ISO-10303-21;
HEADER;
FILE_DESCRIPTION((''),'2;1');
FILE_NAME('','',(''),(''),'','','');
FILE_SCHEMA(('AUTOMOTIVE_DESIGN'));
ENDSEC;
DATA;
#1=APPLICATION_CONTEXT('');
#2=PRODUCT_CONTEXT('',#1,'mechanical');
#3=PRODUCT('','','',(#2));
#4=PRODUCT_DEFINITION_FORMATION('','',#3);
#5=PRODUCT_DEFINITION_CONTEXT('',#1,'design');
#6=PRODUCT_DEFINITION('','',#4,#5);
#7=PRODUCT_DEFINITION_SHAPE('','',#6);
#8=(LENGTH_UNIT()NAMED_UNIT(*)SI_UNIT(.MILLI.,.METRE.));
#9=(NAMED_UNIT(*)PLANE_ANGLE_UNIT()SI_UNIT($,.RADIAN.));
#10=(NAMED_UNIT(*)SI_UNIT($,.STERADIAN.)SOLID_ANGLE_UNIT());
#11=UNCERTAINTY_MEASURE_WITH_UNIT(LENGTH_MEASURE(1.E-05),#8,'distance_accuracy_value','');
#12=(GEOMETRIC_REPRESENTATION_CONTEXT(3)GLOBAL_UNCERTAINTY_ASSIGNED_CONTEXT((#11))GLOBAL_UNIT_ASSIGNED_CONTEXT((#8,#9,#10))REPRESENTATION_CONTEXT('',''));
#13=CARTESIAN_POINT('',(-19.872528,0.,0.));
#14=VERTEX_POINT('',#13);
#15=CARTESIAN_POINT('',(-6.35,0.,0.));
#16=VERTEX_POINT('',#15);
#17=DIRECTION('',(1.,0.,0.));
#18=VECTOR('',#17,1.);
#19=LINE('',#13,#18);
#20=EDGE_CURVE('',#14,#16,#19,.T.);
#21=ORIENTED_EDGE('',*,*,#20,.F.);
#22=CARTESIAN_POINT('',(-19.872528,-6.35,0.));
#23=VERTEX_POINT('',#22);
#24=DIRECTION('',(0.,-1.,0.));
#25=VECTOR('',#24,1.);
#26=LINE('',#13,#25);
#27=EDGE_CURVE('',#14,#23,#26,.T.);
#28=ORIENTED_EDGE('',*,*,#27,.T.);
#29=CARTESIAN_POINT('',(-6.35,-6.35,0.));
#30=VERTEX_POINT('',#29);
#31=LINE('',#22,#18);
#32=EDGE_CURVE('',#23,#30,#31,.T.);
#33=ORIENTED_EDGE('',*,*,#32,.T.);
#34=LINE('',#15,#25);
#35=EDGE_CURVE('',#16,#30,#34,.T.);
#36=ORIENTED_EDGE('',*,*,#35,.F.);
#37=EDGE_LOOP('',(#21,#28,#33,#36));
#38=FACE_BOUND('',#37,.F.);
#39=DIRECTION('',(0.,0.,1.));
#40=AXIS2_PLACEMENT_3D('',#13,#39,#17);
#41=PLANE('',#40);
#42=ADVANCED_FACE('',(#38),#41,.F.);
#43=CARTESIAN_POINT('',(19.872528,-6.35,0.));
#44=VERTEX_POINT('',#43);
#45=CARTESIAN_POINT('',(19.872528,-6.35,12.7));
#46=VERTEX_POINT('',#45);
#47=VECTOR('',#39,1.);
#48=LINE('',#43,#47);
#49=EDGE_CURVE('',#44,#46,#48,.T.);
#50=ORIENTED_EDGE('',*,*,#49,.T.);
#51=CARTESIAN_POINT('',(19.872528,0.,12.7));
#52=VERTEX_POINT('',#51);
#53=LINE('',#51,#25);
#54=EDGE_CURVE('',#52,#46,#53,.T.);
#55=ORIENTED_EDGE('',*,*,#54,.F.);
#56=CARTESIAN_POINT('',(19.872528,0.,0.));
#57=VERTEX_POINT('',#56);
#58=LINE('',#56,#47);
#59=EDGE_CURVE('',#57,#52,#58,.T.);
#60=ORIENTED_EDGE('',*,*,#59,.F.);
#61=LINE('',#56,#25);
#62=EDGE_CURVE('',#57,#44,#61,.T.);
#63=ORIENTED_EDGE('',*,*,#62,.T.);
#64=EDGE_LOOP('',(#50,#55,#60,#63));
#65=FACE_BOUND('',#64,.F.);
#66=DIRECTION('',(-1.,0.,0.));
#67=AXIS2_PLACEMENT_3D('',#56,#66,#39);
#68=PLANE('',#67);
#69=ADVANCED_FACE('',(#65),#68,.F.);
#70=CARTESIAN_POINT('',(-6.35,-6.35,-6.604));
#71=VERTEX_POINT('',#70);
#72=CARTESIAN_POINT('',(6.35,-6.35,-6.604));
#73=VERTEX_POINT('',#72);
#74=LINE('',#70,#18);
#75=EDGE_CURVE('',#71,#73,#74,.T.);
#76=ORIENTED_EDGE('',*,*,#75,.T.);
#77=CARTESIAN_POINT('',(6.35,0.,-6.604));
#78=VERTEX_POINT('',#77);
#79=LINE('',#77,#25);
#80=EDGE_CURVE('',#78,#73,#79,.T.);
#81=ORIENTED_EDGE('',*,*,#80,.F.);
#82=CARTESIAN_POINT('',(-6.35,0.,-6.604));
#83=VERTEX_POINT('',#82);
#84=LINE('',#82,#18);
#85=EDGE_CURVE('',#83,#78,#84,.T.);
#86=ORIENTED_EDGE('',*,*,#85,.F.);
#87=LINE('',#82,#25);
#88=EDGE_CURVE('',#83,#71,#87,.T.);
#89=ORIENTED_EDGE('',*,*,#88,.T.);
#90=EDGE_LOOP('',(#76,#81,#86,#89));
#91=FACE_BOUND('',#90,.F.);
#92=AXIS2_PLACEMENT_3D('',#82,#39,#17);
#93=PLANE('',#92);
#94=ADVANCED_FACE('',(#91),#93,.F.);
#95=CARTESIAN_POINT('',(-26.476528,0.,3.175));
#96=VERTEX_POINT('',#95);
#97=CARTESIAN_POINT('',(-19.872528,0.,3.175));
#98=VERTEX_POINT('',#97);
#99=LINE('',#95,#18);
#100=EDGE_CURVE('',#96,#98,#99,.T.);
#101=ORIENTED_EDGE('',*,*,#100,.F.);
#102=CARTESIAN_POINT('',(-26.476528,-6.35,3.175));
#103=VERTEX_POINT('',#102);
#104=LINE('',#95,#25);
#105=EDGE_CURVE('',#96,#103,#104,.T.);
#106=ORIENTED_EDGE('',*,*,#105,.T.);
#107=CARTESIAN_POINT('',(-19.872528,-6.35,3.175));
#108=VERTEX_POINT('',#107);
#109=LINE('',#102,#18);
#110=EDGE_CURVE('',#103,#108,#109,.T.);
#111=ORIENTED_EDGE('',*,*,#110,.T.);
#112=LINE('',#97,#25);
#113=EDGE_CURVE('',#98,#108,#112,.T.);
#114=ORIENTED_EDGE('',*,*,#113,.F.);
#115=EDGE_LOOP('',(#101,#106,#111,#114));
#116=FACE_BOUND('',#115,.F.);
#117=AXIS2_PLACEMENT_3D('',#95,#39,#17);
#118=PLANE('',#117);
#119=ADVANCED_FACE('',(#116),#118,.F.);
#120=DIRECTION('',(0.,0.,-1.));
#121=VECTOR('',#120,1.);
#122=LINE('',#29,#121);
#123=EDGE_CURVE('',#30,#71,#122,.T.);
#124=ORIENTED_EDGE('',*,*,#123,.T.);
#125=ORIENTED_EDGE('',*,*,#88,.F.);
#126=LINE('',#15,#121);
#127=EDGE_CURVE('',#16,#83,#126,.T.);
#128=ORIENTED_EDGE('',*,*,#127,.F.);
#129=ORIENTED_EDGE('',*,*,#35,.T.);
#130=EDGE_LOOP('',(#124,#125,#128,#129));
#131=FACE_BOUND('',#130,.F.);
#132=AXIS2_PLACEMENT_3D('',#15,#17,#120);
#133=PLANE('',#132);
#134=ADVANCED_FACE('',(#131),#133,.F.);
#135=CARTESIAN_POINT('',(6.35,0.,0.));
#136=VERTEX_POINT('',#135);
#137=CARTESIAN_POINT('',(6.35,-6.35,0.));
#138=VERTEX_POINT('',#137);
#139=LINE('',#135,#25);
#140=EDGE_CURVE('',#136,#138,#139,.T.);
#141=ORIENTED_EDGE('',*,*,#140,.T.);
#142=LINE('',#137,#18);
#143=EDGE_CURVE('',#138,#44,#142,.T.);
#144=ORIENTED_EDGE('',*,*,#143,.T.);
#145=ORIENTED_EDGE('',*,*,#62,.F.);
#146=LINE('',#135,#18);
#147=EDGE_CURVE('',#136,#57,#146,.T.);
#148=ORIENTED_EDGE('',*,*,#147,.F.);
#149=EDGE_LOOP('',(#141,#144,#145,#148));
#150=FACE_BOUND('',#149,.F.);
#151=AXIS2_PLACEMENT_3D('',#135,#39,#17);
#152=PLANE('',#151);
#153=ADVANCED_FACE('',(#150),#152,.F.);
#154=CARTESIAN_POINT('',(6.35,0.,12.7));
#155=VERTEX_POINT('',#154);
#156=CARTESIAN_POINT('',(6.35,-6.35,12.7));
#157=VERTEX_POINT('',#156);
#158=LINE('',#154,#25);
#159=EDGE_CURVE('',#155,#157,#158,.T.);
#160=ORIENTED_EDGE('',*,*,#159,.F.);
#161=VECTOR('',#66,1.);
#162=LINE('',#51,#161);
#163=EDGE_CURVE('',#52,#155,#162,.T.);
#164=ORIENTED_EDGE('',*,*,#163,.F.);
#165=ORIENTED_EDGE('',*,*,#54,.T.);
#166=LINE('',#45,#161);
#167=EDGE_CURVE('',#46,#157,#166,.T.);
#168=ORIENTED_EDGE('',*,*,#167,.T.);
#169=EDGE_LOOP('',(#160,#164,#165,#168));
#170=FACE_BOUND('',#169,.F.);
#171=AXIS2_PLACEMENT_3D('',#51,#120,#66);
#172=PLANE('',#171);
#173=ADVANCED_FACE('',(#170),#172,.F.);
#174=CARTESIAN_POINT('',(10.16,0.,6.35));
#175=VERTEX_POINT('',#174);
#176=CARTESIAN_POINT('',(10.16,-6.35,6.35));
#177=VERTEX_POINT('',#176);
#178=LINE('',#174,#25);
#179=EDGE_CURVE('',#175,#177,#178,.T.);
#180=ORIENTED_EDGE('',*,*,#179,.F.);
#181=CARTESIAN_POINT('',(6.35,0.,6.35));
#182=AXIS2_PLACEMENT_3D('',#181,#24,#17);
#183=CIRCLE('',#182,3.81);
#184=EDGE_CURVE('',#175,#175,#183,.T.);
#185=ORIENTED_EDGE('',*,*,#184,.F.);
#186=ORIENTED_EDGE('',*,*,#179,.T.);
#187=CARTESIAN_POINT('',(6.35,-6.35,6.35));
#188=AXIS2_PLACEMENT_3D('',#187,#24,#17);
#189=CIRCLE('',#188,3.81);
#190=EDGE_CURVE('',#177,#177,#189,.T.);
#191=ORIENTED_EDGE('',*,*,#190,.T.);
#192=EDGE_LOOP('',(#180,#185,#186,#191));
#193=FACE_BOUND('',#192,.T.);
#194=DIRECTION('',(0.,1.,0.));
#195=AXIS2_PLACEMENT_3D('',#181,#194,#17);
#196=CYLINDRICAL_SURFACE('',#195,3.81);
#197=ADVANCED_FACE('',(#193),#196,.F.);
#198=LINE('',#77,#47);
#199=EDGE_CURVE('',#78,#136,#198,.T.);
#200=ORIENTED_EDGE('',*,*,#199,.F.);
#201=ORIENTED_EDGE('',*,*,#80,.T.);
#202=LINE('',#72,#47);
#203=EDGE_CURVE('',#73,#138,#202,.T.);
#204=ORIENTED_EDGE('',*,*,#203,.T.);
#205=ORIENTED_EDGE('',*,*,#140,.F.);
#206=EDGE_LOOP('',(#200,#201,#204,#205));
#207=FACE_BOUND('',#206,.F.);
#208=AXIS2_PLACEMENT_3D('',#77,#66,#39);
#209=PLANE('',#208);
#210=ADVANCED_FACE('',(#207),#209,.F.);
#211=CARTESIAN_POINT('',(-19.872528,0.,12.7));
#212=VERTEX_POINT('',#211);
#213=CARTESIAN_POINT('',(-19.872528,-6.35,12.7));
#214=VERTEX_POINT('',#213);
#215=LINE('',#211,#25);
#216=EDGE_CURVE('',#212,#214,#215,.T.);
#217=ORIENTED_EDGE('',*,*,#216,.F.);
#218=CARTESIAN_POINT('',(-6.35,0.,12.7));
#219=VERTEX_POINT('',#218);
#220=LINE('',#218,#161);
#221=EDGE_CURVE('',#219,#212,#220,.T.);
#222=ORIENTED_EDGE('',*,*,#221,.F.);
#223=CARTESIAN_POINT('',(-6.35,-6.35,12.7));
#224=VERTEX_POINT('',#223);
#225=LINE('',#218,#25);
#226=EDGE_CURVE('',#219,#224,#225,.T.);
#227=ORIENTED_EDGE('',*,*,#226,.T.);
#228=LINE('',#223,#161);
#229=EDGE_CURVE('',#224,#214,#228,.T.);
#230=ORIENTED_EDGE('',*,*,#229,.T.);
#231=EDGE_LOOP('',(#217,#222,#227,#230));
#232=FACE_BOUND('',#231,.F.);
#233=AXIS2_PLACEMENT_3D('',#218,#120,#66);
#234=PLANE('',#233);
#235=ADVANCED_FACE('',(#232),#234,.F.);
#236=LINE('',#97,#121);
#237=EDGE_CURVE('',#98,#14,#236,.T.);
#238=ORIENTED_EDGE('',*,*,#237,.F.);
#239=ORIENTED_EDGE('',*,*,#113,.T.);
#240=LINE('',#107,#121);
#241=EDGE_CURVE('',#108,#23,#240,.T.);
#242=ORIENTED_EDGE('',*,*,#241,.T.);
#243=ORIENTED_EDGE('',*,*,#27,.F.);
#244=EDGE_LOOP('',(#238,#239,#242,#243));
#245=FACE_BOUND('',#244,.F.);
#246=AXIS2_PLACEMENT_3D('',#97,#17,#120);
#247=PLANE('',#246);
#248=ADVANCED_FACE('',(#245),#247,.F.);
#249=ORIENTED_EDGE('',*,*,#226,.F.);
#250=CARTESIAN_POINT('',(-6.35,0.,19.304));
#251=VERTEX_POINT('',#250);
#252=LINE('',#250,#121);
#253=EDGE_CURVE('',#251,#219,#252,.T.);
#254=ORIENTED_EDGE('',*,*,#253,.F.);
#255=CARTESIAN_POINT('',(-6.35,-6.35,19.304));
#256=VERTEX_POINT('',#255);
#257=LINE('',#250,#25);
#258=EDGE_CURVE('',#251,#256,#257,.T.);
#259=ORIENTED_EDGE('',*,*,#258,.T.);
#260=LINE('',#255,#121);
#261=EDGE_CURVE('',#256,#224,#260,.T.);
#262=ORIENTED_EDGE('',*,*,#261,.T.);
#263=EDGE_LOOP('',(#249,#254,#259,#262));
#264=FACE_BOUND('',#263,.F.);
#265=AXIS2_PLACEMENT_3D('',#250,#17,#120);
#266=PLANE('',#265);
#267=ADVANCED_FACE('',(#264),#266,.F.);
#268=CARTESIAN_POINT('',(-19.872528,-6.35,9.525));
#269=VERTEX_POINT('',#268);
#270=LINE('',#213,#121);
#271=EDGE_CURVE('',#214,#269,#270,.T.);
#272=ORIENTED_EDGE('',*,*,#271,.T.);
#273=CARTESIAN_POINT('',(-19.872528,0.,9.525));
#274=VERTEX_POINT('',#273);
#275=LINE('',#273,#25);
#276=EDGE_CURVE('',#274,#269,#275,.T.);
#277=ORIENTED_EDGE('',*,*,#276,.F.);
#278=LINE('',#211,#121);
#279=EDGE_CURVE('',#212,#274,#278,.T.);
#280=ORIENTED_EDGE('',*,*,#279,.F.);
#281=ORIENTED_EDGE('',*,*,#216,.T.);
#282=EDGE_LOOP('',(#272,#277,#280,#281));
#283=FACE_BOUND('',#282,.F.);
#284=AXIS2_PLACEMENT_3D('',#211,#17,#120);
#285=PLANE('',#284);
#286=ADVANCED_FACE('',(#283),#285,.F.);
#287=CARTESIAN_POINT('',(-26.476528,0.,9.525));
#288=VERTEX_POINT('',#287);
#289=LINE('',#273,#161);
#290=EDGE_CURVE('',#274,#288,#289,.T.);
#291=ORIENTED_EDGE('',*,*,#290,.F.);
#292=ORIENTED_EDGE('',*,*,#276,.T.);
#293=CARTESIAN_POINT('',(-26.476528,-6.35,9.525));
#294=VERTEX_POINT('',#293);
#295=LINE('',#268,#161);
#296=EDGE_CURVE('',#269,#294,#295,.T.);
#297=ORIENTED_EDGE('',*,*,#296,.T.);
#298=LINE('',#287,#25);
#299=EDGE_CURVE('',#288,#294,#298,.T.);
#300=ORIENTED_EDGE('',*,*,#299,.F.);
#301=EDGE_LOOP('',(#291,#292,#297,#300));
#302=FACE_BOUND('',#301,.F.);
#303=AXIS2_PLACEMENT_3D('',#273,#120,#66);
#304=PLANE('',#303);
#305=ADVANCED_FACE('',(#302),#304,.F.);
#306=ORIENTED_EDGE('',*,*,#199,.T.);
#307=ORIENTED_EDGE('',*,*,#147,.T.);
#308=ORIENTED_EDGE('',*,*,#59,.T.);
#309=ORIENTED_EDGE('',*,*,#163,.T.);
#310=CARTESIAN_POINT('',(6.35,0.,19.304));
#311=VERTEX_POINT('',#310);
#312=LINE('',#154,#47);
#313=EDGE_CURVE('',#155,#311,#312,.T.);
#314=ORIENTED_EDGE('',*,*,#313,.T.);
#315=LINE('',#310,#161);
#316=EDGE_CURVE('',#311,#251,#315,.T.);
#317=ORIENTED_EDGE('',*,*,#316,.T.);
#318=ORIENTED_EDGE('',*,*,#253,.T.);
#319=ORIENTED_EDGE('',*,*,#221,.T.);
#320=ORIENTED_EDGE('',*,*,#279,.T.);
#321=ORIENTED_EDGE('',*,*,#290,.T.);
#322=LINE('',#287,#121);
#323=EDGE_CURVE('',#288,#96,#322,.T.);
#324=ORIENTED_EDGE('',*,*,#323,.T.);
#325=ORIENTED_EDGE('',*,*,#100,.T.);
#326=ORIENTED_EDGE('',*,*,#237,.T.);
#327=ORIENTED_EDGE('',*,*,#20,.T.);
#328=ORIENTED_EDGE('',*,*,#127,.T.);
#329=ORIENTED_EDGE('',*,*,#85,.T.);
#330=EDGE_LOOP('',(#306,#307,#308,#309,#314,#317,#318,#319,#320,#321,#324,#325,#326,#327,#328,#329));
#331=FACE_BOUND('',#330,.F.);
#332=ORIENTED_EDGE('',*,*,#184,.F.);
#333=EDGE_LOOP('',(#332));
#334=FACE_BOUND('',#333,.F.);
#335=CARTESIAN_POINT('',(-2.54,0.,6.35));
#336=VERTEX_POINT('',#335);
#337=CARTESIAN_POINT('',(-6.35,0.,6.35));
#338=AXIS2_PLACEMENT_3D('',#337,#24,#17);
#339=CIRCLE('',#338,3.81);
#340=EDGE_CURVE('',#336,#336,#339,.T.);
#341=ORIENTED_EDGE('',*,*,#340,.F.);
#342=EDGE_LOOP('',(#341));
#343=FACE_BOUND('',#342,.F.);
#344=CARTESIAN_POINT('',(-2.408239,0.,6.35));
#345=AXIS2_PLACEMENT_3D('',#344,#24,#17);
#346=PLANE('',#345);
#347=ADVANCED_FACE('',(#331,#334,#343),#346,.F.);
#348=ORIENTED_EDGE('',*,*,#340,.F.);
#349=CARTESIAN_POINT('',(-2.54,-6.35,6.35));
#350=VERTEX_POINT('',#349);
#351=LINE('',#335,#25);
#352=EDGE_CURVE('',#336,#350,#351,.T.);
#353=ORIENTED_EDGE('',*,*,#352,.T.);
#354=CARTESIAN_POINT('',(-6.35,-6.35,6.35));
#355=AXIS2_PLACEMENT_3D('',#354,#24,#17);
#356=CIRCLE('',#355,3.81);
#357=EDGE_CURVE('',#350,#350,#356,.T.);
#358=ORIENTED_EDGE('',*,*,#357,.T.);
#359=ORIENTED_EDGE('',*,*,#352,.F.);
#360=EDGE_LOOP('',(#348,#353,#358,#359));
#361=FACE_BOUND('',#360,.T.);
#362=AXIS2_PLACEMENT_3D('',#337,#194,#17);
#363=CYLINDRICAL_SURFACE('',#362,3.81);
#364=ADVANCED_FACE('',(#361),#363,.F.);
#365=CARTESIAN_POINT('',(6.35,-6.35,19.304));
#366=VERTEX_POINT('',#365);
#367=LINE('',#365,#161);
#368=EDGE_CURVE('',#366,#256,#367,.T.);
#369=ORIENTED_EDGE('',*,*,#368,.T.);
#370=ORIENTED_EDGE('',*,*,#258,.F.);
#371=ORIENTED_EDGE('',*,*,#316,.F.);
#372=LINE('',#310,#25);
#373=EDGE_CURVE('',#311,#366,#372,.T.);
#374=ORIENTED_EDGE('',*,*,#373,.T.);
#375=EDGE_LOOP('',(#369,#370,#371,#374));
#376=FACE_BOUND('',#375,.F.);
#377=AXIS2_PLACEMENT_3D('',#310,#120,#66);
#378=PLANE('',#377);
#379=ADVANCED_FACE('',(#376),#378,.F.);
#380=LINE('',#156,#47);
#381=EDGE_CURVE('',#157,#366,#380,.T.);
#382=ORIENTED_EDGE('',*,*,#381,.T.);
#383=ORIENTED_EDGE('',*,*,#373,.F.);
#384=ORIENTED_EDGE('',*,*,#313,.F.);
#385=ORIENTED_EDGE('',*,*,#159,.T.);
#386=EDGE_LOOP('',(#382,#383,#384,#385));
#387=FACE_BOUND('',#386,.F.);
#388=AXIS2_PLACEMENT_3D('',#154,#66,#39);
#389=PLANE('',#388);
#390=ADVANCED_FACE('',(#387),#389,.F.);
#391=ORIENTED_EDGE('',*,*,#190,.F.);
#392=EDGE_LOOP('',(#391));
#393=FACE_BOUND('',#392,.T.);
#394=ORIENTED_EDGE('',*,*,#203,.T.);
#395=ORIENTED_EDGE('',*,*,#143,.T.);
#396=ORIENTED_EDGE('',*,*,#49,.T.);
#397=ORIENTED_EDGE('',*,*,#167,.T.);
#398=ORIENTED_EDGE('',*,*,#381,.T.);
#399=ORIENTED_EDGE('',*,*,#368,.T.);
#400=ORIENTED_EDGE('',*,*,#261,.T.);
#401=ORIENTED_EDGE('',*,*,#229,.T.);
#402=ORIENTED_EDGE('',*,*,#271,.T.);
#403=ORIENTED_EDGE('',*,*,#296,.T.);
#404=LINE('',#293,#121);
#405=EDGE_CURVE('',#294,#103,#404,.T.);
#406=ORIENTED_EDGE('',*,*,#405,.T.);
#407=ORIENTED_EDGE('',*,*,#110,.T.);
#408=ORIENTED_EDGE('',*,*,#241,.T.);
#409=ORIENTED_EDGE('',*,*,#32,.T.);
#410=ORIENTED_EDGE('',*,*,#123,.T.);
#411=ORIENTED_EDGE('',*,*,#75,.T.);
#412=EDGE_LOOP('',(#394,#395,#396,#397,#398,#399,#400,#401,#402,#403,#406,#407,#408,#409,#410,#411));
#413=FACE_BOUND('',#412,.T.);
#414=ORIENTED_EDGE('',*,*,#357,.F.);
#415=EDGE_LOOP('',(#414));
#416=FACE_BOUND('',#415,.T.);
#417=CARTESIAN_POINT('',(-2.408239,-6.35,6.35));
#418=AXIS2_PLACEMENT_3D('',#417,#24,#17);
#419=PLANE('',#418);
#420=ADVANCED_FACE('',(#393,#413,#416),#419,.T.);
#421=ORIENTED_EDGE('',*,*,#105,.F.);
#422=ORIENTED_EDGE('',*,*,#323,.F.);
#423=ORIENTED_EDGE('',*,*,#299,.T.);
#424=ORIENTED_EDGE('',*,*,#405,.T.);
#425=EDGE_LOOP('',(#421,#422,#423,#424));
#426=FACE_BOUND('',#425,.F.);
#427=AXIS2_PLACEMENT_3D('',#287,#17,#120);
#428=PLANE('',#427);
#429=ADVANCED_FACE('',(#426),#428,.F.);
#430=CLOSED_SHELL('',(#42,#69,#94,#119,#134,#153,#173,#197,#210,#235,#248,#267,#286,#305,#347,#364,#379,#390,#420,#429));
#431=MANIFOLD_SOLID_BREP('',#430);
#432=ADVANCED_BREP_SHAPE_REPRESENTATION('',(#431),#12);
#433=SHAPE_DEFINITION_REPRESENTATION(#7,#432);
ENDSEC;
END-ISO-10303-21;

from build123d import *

# Parameters (mm, degrees)
F0_R     = 3.81
F1_DEPTH = 6.35


with BuildPart() as f1:
    # F0 (on Front) → F1 (new body)
    with BuildSketch(Plane.XZ):
        Polygon((-19.872528, 0), (-6.35, 0), (-6.35, -6.604), (6.35, -6.604), (6.35, 0), (19.872528, 0), (19.872528, 12.7), (6.35, 12.7), (6.35, 19.304), (-6.35, 19.304), (-6.35, 12.7), (-19.872528, 12.7), (-19.872528, 9.525), (-26.476528, 9.525), (-26.476528, 3.175), (-19.872528, 3.175), align=None)
        with Locations((-6.35, 6.35)):
            Circle(F0_R, mode=Mode.SUBTRACT)
        with Locations((6.35, 6.35)):
            Circle(F0_R, mode=Mode.SUBTRACT)
    extrude(amount=F1_DEPTH)


solid = f1.part
